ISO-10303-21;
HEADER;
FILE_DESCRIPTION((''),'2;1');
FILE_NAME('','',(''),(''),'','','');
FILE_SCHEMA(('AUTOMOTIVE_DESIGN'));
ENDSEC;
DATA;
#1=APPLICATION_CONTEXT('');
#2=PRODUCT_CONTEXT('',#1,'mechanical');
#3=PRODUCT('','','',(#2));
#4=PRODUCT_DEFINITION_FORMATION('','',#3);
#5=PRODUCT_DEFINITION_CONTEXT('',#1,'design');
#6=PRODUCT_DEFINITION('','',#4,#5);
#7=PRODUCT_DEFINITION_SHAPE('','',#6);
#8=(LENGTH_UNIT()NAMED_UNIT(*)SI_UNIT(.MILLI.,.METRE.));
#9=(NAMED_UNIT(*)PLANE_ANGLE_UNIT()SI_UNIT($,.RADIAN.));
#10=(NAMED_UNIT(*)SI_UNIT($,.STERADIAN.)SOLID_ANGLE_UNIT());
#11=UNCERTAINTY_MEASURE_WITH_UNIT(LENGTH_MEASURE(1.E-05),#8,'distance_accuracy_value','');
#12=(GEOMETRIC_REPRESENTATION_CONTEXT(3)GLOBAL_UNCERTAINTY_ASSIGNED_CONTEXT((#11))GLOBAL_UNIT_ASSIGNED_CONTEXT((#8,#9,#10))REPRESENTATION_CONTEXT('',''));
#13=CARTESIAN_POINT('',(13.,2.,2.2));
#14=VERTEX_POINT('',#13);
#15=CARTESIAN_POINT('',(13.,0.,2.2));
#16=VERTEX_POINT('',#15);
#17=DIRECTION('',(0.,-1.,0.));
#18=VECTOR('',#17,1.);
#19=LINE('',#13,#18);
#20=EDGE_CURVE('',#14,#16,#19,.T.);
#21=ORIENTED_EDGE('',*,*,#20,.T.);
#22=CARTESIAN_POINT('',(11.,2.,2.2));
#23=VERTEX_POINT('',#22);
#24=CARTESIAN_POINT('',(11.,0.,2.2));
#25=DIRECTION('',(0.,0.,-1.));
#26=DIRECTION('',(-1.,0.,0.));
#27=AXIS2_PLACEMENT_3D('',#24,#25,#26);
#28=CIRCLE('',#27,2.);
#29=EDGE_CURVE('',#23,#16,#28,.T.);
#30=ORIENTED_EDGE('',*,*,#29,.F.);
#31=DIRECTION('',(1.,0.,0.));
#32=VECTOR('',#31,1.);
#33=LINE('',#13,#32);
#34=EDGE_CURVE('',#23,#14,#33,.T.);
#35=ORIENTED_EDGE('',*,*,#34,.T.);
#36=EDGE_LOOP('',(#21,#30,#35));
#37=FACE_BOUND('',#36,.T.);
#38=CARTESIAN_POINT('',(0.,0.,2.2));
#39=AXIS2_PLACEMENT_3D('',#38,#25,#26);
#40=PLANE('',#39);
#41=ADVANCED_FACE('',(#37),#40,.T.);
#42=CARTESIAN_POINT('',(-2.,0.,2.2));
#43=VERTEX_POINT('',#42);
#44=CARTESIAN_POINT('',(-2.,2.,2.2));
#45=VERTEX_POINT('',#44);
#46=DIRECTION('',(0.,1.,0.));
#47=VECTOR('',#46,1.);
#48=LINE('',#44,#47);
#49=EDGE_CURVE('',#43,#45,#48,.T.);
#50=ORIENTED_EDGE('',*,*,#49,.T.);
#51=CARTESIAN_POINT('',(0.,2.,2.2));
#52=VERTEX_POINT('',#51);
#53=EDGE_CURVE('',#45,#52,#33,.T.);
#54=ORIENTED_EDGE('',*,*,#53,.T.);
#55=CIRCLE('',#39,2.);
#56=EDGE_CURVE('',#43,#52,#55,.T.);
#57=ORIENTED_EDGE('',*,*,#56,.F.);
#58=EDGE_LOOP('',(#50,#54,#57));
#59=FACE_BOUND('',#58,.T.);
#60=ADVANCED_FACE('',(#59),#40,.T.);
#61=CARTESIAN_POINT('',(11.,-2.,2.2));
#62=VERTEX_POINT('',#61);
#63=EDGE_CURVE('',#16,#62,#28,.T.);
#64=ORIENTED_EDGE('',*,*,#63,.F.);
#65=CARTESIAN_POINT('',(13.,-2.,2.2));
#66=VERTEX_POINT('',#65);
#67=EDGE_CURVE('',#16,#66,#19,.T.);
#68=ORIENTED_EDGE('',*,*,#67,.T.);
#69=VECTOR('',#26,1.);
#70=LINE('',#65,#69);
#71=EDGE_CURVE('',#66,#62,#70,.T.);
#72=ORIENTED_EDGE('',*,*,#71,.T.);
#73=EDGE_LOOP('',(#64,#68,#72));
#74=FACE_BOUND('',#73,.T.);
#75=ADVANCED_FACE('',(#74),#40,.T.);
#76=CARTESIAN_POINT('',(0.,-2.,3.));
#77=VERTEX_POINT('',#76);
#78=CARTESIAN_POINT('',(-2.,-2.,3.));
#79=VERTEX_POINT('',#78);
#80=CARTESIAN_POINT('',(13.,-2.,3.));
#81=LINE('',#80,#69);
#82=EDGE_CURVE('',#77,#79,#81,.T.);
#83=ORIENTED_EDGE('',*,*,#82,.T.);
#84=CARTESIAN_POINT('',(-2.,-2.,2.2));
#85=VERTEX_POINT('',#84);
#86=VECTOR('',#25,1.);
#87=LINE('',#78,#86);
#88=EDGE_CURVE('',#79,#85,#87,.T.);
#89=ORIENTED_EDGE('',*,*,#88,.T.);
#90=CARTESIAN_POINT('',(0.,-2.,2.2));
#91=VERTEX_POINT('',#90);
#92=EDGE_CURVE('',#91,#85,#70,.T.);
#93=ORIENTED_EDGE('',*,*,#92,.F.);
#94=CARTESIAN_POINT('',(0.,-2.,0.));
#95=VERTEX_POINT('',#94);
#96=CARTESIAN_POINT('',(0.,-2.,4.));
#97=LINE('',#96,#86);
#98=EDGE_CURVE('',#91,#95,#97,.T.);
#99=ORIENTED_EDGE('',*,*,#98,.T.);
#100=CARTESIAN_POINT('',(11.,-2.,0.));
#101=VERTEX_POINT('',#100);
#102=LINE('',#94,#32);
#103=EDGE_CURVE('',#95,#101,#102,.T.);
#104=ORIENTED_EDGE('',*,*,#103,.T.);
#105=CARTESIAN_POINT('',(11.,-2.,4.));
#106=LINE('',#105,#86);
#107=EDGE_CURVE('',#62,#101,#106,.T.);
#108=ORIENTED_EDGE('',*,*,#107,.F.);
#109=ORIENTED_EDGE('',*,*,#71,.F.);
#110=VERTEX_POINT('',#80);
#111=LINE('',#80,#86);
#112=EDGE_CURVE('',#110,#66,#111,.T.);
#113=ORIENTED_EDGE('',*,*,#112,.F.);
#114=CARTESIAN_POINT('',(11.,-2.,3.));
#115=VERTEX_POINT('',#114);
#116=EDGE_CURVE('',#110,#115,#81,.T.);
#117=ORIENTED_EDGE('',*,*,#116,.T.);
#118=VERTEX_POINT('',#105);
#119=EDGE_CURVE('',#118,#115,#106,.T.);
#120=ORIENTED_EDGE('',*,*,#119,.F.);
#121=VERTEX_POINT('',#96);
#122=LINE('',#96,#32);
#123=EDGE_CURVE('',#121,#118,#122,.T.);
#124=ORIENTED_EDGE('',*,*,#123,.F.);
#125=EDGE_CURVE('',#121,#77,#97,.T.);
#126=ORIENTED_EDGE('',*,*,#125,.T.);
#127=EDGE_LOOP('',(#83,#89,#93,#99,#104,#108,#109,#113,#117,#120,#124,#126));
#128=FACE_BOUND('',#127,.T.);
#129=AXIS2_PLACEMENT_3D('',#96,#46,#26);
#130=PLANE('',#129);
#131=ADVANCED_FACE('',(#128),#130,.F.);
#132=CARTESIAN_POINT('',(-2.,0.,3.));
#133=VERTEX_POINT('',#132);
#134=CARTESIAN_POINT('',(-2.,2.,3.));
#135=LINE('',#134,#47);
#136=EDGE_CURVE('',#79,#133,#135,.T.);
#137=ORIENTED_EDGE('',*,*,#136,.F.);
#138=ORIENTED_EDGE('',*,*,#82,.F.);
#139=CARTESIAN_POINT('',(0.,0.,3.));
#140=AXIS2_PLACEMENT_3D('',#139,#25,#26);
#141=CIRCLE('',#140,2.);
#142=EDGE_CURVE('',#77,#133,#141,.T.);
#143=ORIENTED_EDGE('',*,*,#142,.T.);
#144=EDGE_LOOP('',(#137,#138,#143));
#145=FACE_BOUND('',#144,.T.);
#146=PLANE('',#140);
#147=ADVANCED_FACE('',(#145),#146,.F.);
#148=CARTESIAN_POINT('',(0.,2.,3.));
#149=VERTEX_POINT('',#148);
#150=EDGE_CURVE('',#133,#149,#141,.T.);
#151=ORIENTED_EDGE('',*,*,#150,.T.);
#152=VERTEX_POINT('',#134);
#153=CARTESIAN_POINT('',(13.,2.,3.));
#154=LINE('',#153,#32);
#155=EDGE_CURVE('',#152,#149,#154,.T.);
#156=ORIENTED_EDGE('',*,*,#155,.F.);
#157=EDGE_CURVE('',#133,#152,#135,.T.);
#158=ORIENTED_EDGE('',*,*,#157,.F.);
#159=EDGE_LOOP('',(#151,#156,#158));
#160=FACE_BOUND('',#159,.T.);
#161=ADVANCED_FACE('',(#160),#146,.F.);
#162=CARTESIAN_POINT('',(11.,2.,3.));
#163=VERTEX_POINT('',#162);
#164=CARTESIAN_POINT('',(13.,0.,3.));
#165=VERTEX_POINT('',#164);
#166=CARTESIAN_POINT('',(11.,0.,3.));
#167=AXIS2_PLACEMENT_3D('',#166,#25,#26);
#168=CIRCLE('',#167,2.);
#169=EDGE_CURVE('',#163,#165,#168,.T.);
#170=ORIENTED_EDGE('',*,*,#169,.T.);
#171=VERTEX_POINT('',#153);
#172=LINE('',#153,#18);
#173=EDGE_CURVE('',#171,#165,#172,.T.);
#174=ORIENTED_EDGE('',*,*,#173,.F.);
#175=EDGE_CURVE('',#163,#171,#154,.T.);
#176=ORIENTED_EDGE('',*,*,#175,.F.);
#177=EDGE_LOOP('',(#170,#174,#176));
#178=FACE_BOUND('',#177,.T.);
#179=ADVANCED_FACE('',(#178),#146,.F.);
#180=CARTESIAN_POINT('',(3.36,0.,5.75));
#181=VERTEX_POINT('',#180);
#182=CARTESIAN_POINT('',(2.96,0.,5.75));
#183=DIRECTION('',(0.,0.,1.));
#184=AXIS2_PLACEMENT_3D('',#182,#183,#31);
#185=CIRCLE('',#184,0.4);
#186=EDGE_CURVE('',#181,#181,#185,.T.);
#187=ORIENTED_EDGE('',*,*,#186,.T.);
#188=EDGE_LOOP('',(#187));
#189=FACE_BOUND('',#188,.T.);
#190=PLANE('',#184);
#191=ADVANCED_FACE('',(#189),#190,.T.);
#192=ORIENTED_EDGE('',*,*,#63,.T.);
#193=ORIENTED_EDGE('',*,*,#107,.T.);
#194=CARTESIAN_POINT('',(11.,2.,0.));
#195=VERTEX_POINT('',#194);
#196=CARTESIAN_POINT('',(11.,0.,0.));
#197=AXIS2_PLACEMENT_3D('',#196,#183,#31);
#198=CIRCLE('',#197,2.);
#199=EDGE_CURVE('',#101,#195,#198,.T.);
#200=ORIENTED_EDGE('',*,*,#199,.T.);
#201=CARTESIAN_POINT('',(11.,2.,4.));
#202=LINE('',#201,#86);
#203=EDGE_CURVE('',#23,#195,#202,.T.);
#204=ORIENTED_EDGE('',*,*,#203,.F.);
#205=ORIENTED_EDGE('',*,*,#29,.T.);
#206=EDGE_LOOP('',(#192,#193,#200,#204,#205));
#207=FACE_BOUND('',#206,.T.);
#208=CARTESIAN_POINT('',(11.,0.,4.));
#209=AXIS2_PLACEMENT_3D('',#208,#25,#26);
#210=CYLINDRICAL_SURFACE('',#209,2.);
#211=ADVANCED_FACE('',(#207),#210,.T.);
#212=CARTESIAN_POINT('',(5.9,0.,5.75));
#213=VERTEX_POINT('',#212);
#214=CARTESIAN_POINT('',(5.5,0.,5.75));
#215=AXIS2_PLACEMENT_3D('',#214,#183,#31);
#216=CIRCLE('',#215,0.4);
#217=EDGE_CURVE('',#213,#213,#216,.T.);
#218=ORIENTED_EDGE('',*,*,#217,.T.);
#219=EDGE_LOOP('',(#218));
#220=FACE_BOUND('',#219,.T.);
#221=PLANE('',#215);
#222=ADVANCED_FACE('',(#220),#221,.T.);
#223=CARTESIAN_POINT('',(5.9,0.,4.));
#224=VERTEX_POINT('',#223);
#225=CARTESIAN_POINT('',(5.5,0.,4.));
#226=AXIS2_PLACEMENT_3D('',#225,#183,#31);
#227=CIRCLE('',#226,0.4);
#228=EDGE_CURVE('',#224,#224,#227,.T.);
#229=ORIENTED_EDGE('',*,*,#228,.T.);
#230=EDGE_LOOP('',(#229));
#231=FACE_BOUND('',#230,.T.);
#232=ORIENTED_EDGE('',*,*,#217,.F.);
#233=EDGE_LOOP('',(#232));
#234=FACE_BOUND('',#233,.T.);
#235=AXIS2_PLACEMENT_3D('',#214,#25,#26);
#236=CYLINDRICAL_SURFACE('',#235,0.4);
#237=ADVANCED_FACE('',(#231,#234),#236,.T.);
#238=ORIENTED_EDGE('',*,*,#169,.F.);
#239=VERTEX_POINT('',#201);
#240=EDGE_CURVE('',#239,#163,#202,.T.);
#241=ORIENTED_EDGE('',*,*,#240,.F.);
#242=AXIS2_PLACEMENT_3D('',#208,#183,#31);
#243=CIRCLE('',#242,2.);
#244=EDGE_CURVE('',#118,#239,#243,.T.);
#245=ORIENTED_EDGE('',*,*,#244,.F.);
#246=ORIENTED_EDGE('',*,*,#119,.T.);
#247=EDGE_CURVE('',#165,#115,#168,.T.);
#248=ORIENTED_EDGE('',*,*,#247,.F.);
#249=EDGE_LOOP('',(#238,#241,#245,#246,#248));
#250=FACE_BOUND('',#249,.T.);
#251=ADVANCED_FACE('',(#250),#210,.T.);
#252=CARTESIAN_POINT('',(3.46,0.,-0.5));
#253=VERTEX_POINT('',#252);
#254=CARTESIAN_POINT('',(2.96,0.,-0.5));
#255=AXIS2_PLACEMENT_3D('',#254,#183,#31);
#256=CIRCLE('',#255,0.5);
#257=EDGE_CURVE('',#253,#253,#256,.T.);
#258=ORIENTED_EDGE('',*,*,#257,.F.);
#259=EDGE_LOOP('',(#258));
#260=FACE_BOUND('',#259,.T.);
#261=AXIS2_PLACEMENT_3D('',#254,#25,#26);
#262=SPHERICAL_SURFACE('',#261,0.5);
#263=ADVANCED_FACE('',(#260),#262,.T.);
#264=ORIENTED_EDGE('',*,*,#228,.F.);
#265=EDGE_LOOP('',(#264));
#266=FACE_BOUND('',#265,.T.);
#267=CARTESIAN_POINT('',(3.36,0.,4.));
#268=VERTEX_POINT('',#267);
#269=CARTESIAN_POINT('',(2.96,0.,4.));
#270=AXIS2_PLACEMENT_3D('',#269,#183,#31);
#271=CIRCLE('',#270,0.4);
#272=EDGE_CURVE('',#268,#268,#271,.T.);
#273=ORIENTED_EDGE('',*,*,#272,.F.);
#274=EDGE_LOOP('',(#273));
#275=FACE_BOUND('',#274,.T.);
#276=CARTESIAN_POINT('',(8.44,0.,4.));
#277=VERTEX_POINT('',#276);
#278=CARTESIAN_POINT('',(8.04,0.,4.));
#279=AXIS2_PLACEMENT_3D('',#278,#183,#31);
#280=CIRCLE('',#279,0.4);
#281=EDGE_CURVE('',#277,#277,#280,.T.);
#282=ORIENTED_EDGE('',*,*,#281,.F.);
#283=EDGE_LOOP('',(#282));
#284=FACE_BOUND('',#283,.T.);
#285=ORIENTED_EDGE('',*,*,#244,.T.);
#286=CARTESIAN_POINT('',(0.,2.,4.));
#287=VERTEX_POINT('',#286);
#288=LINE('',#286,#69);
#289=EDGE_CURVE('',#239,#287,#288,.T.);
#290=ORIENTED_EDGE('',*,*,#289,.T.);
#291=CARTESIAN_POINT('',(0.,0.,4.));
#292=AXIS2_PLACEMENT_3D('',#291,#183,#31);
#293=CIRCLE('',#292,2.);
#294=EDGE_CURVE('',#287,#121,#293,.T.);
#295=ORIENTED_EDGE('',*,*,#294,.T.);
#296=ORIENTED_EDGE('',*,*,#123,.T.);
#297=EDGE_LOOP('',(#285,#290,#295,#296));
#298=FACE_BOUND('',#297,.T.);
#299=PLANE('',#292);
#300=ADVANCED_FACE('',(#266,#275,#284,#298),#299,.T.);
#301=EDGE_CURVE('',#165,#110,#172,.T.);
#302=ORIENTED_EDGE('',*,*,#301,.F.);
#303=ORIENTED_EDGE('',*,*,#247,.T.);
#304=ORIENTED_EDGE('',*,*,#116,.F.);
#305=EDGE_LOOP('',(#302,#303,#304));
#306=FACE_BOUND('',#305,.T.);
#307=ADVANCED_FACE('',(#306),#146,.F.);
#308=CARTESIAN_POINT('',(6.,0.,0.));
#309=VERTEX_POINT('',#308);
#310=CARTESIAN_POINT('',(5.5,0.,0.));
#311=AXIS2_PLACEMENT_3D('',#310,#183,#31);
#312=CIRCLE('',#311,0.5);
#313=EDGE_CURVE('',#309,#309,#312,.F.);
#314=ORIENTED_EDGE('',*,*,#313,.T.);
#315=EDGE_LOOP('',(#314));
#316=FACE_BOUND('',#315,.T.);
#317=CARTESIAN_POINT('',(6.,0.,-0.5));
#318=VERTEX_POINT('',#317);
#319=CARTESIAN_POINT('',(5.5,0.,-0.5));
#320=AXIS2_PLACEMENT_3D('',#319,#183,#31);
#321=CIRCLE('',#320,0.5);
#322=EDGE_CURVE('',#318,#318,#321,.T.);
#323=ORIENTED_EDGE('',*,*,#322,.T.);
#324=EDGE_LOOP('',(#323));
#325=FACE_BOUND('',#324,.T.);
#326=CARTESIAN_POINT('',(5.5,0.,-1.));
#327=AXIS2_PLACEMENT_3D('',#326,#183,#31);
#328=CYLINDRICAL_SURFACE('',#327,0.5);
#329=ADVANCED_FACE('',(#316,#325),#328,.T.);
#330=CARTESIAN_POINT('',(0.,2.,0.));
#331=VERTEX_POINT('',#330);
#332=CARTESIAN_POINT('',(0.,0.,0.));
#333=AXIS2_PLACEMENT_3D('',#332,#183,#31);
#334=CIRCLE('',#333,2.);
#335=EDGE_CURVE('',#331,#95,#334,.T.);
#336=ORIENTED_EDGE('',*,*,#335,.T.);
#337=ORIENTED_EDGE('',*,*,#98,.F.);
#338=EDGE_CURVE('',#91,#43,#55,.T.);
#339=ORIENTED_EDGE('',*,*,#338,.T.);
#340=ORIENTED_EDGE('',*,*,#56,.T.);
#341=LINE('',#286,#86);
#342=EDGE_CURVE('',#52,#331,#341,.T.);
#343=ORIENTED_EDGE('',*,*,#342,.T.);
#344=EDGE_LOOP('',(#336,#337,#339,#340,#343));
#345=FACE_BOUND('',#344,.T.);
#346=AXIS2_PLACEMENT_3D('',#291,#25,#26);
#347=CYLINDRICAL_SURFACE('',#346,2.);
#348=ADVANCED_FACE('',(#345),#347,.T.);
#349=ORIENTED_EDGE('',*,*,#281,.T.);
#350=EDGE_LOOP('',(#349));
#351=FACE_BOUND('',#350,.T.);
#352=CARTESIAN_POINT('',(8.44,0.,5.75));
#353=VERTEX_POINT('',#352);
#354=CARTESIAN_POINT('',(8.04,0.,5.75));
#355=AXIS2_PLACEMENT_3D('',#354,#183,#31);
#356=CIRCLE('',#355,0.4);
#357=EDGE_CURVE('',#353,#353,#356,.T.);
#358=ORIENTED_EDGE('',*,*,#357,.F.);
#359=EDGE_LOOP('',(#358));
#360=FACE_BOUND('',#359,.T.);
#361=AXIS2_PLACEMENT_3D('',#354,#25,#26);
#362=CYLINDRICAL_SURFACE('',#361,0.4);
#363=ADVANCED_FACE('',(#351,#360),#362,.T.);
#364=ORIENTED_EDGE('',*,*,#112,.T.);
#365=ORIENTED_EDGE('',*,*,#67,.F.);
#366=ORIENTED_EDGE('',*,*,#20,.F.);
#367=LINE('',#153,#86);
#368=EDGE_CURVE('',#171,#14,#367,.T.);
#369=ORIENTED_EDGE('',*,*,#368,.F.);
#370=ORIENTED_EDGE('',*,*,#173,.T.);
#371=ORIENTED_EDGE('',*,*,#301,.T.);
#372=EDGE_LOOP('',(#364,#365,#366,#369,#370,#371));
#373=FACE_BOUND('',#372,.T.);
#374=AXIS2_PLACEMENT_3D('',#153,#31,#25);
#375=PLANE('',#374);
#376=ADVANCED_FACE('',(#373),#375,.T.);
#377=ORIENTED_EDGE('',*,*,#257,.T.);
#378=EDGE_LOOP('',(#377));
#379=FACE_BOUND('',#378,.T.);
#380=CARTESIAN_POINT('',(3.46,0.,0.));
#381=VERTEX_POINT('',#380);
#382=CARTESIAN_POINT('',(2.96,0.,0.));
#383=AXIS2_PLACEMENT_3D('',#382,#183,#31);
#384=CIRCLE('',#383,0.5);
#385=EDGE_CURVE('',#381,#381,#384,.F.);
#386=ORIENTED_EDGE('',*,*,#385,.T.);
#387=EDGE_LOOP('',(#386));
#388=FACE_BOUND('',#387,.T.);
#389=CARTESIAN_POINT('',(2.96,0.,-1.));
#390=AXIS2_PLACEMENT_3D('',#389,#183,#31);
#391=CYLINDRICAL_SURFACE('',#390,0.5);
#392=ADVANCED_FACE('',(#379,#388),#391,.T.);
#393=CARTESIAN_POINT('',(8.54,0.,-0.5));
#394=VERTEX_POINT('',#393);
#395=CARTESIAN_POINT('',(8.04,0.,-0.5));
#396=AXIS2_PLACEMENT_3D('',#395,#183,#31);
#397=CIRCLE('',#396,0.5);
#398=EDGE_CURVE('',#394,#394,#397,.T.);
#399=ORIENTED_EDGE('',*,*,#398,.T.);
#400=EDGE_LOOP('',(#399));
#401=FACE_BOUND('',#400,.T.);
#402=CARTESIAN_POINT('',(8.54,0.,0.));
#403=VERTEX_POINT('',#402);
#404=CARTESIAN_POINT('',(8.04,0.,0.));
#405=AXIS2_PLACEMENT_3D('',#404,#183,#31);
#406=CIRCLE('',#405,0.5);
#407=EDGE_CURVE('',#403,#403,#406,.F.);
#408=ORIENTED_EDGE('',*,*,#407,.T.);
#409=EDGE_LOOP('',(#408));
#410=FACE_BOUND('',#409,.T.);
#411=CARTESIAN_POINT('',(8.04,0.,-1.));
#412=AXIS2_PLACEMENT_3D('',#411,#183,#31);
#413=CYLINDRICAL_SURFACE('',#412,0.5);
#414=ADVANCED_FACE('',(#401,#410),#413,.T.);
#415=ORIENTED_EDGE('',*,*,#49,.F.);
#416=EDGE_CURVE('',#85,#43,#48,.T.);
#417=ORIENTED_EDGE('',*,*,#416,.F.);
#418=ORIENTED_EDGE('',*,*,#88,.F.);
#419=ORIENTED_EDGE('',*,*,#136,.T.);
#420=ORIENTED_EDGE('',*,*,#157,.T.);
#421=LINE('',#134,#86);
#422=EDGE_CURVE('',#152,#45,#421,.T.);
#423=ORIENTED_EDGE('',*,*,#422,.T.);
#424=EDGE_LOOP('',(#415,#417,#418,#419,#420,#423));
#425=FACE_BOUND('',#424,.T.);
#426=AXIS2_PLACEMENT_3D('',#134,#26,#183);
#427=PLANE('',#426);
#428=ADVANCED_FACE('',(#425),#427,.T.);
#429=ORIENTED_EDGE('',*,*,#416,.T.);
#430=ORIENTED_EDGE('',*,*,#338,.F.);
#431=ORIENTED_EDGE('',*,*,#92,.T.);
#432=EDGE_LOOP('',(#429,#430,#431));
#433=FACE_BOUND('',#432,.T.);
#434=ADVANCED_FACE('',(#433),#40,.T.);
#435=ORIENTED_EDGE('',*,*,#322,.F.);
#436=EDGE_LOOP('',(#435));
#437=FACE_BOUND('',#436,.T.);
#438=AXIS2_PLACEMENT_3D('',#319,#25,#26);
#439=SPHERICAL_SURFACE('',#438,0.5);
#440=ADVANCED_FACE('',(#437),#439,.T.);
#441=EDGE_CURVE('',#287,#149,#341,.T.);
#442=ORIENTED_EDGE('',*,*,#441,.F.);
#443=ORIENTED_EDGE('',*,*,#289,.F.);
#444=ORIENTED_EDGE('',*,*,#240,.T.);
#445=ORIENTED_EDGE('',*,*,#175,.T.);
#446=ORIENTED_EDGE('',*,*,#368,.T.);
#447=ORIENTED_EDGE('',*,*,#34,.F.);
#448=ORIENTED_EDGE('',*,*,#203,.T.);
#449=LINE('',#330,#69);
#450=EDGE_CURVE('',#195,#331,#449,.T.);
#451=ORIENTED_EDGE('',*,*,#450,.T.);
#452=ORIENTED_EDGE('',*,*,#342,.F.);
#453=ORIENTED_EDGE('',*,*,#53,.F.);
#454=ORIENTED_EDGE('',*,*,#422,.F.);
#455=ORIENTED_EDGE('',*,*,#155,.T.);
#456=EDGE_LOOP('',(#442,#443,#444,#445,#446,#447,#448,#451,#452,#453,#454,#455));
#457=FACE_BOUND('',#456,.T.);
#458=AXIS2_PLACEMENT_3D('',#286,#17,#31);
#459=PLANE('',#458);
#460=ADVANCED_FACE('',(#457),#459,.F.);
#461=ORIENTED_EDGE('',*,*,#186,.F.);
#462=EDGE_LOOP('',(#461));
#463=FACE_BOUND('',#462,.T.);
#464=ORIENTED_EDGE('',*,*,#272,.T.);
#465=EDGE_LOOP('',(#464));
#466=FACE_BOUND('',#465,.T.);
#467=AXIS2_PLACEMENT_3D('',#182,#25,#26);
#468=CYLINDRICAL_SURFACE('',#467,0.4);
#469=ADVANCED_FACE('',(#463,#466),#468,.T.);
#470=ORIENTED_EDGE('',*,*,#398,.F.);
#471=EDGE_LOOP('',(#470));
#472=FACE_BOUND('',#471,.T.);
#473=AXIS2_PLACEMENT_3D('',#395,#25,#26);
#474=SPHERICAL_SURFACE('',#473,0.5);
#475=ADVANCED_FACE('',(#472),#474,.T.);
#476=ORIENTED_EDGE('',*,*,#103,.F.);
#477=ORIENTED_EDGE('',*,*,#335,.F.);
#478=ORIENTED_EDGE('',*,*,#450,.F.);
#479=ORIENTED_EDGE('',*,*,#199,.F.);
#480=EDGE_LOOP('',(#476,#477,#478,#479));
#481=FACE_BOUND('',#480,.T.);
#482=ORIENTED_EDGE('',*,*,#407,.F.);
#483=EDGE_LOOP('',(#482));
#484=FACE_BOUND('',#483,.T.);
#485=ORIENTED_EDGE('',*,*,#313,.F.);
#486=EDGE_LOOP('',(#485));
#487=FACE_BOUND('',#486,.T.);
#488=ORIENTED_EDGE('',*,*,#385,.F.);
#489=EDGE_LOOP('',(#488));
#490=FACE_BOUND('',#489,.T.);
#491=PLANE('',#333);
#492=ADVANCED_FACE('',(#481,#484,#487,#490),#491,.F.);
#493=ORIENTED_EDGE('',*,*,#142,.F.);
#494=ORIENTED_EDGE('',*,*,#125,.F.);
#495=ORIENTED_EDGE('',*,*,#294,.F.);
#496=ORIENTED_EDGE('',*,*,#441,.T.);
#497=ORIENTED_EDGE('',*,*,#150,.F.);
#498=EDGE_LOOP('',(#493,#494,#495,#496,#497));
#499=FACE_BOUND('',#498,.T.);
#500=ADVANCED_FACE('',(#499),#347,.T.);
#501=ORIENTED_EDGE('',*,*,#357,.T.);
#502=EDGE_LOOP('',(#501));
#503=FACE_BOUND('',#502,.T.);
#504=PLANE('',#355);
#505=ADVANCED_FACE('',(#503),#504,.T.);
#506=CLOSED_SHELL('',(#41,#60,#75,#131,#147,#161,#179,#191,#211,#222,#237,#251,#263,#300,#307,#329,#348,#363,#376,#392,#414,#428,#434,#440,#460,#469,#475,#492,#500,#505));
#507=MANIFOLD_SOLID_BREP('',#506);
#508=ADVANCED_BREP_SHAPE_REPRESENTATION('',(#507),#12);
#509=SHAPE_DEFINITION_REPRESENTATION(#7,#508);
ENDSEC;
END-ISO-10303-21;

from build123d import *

# Parameters (mm, degrees)
EXTRUDE_1_DEPTH = 4
EXTRUDE_START   = -2.2
SKETCH_2_W      = 15
SKETCH_2_H      = 4
EXTRUDE_2_DEPTH = 0.8
SKETCH_3_R      = 0.5
EXTRUDE_3_DEPTH = 1
FILLET_1_R      = 0.5
SKETCH_4_R      = 0.4
EXTRUDE_4_DEPTH = 1.75


with BuildPart() as part:
    # 草图1 → 凸台-拉伸1 (new body)
    with BuildSketch(Plane.XY):
        with BuildLine():
            Line((0, 2), (11, 2))
            ThreePointArc((11, 2), (13, 0), (11, -2))
            Line((11, -2), (0, -2))
            ThreePointArc((0, -2), (-2, 0), (0, 2))
        make_face()
    extrude(amount=EXTRUDE_1_DEPTH)

    # 草图2 → 凸台-拉伸2 (add)
    with BuildSketch(Plane(origin=(0, 0, 0), x_dir=(-1, 0, 0), z_dir=(0, 0, -1)).offset(EXTRUDE_START)):
        with Locations((-5.5, 0)):
            Rectangle(SKETCH_2_W, SKETCH_2_H)
    extrude(amount=-EXTRUDE_2_DEPTH)

    # 草图3 → 凸台-拉伸3 (add)
    with BuildSketch(Plane(origin=(0, 0, 0), x_dir=(-1, 0, 0), z_dir=(0, 0, -1))):
        with Locations(Location((-8.04, 0, 0), (0, 0, 180))):
            Circle(SKETCH_3_R)
        with Locations(Location((-5.5, 0, 0), (0, 0, 180))):
            Circle(SKETCH_3_R)
        with Locations(Location((-2.96, 0, 0), (0, 0, 180))):
            Circle(SKETCH_3_R)
    extrude(amount=EXTRUDE_3_DEPTH)

    # 圆角1
    fillet_1_edges = [part.edges().sort_by_distance(p)[0] for p in [
        (7.54, 0, -1),
        (5, 0, -1),
        (2.46, 0, -1),
    ]]
    fillet(fillet_1_edges, radius=FILLET_1_R)

    # 草图4 → 凸台-拉伸4 (add)
    with BuildSketch(Plane.XY.offset(4)):
        with Locations((2.96, 0)):
            Circle(SKETCH_4_R)
        with Locations((5.5, 0)):
            Circle(SKETCH_4_R)
        with Locations((8.04, 0)):
            Circle(SKETCH_4_R)
    extrude(amount=EXTRUDE_4_DEPTH)


solid = part.part
